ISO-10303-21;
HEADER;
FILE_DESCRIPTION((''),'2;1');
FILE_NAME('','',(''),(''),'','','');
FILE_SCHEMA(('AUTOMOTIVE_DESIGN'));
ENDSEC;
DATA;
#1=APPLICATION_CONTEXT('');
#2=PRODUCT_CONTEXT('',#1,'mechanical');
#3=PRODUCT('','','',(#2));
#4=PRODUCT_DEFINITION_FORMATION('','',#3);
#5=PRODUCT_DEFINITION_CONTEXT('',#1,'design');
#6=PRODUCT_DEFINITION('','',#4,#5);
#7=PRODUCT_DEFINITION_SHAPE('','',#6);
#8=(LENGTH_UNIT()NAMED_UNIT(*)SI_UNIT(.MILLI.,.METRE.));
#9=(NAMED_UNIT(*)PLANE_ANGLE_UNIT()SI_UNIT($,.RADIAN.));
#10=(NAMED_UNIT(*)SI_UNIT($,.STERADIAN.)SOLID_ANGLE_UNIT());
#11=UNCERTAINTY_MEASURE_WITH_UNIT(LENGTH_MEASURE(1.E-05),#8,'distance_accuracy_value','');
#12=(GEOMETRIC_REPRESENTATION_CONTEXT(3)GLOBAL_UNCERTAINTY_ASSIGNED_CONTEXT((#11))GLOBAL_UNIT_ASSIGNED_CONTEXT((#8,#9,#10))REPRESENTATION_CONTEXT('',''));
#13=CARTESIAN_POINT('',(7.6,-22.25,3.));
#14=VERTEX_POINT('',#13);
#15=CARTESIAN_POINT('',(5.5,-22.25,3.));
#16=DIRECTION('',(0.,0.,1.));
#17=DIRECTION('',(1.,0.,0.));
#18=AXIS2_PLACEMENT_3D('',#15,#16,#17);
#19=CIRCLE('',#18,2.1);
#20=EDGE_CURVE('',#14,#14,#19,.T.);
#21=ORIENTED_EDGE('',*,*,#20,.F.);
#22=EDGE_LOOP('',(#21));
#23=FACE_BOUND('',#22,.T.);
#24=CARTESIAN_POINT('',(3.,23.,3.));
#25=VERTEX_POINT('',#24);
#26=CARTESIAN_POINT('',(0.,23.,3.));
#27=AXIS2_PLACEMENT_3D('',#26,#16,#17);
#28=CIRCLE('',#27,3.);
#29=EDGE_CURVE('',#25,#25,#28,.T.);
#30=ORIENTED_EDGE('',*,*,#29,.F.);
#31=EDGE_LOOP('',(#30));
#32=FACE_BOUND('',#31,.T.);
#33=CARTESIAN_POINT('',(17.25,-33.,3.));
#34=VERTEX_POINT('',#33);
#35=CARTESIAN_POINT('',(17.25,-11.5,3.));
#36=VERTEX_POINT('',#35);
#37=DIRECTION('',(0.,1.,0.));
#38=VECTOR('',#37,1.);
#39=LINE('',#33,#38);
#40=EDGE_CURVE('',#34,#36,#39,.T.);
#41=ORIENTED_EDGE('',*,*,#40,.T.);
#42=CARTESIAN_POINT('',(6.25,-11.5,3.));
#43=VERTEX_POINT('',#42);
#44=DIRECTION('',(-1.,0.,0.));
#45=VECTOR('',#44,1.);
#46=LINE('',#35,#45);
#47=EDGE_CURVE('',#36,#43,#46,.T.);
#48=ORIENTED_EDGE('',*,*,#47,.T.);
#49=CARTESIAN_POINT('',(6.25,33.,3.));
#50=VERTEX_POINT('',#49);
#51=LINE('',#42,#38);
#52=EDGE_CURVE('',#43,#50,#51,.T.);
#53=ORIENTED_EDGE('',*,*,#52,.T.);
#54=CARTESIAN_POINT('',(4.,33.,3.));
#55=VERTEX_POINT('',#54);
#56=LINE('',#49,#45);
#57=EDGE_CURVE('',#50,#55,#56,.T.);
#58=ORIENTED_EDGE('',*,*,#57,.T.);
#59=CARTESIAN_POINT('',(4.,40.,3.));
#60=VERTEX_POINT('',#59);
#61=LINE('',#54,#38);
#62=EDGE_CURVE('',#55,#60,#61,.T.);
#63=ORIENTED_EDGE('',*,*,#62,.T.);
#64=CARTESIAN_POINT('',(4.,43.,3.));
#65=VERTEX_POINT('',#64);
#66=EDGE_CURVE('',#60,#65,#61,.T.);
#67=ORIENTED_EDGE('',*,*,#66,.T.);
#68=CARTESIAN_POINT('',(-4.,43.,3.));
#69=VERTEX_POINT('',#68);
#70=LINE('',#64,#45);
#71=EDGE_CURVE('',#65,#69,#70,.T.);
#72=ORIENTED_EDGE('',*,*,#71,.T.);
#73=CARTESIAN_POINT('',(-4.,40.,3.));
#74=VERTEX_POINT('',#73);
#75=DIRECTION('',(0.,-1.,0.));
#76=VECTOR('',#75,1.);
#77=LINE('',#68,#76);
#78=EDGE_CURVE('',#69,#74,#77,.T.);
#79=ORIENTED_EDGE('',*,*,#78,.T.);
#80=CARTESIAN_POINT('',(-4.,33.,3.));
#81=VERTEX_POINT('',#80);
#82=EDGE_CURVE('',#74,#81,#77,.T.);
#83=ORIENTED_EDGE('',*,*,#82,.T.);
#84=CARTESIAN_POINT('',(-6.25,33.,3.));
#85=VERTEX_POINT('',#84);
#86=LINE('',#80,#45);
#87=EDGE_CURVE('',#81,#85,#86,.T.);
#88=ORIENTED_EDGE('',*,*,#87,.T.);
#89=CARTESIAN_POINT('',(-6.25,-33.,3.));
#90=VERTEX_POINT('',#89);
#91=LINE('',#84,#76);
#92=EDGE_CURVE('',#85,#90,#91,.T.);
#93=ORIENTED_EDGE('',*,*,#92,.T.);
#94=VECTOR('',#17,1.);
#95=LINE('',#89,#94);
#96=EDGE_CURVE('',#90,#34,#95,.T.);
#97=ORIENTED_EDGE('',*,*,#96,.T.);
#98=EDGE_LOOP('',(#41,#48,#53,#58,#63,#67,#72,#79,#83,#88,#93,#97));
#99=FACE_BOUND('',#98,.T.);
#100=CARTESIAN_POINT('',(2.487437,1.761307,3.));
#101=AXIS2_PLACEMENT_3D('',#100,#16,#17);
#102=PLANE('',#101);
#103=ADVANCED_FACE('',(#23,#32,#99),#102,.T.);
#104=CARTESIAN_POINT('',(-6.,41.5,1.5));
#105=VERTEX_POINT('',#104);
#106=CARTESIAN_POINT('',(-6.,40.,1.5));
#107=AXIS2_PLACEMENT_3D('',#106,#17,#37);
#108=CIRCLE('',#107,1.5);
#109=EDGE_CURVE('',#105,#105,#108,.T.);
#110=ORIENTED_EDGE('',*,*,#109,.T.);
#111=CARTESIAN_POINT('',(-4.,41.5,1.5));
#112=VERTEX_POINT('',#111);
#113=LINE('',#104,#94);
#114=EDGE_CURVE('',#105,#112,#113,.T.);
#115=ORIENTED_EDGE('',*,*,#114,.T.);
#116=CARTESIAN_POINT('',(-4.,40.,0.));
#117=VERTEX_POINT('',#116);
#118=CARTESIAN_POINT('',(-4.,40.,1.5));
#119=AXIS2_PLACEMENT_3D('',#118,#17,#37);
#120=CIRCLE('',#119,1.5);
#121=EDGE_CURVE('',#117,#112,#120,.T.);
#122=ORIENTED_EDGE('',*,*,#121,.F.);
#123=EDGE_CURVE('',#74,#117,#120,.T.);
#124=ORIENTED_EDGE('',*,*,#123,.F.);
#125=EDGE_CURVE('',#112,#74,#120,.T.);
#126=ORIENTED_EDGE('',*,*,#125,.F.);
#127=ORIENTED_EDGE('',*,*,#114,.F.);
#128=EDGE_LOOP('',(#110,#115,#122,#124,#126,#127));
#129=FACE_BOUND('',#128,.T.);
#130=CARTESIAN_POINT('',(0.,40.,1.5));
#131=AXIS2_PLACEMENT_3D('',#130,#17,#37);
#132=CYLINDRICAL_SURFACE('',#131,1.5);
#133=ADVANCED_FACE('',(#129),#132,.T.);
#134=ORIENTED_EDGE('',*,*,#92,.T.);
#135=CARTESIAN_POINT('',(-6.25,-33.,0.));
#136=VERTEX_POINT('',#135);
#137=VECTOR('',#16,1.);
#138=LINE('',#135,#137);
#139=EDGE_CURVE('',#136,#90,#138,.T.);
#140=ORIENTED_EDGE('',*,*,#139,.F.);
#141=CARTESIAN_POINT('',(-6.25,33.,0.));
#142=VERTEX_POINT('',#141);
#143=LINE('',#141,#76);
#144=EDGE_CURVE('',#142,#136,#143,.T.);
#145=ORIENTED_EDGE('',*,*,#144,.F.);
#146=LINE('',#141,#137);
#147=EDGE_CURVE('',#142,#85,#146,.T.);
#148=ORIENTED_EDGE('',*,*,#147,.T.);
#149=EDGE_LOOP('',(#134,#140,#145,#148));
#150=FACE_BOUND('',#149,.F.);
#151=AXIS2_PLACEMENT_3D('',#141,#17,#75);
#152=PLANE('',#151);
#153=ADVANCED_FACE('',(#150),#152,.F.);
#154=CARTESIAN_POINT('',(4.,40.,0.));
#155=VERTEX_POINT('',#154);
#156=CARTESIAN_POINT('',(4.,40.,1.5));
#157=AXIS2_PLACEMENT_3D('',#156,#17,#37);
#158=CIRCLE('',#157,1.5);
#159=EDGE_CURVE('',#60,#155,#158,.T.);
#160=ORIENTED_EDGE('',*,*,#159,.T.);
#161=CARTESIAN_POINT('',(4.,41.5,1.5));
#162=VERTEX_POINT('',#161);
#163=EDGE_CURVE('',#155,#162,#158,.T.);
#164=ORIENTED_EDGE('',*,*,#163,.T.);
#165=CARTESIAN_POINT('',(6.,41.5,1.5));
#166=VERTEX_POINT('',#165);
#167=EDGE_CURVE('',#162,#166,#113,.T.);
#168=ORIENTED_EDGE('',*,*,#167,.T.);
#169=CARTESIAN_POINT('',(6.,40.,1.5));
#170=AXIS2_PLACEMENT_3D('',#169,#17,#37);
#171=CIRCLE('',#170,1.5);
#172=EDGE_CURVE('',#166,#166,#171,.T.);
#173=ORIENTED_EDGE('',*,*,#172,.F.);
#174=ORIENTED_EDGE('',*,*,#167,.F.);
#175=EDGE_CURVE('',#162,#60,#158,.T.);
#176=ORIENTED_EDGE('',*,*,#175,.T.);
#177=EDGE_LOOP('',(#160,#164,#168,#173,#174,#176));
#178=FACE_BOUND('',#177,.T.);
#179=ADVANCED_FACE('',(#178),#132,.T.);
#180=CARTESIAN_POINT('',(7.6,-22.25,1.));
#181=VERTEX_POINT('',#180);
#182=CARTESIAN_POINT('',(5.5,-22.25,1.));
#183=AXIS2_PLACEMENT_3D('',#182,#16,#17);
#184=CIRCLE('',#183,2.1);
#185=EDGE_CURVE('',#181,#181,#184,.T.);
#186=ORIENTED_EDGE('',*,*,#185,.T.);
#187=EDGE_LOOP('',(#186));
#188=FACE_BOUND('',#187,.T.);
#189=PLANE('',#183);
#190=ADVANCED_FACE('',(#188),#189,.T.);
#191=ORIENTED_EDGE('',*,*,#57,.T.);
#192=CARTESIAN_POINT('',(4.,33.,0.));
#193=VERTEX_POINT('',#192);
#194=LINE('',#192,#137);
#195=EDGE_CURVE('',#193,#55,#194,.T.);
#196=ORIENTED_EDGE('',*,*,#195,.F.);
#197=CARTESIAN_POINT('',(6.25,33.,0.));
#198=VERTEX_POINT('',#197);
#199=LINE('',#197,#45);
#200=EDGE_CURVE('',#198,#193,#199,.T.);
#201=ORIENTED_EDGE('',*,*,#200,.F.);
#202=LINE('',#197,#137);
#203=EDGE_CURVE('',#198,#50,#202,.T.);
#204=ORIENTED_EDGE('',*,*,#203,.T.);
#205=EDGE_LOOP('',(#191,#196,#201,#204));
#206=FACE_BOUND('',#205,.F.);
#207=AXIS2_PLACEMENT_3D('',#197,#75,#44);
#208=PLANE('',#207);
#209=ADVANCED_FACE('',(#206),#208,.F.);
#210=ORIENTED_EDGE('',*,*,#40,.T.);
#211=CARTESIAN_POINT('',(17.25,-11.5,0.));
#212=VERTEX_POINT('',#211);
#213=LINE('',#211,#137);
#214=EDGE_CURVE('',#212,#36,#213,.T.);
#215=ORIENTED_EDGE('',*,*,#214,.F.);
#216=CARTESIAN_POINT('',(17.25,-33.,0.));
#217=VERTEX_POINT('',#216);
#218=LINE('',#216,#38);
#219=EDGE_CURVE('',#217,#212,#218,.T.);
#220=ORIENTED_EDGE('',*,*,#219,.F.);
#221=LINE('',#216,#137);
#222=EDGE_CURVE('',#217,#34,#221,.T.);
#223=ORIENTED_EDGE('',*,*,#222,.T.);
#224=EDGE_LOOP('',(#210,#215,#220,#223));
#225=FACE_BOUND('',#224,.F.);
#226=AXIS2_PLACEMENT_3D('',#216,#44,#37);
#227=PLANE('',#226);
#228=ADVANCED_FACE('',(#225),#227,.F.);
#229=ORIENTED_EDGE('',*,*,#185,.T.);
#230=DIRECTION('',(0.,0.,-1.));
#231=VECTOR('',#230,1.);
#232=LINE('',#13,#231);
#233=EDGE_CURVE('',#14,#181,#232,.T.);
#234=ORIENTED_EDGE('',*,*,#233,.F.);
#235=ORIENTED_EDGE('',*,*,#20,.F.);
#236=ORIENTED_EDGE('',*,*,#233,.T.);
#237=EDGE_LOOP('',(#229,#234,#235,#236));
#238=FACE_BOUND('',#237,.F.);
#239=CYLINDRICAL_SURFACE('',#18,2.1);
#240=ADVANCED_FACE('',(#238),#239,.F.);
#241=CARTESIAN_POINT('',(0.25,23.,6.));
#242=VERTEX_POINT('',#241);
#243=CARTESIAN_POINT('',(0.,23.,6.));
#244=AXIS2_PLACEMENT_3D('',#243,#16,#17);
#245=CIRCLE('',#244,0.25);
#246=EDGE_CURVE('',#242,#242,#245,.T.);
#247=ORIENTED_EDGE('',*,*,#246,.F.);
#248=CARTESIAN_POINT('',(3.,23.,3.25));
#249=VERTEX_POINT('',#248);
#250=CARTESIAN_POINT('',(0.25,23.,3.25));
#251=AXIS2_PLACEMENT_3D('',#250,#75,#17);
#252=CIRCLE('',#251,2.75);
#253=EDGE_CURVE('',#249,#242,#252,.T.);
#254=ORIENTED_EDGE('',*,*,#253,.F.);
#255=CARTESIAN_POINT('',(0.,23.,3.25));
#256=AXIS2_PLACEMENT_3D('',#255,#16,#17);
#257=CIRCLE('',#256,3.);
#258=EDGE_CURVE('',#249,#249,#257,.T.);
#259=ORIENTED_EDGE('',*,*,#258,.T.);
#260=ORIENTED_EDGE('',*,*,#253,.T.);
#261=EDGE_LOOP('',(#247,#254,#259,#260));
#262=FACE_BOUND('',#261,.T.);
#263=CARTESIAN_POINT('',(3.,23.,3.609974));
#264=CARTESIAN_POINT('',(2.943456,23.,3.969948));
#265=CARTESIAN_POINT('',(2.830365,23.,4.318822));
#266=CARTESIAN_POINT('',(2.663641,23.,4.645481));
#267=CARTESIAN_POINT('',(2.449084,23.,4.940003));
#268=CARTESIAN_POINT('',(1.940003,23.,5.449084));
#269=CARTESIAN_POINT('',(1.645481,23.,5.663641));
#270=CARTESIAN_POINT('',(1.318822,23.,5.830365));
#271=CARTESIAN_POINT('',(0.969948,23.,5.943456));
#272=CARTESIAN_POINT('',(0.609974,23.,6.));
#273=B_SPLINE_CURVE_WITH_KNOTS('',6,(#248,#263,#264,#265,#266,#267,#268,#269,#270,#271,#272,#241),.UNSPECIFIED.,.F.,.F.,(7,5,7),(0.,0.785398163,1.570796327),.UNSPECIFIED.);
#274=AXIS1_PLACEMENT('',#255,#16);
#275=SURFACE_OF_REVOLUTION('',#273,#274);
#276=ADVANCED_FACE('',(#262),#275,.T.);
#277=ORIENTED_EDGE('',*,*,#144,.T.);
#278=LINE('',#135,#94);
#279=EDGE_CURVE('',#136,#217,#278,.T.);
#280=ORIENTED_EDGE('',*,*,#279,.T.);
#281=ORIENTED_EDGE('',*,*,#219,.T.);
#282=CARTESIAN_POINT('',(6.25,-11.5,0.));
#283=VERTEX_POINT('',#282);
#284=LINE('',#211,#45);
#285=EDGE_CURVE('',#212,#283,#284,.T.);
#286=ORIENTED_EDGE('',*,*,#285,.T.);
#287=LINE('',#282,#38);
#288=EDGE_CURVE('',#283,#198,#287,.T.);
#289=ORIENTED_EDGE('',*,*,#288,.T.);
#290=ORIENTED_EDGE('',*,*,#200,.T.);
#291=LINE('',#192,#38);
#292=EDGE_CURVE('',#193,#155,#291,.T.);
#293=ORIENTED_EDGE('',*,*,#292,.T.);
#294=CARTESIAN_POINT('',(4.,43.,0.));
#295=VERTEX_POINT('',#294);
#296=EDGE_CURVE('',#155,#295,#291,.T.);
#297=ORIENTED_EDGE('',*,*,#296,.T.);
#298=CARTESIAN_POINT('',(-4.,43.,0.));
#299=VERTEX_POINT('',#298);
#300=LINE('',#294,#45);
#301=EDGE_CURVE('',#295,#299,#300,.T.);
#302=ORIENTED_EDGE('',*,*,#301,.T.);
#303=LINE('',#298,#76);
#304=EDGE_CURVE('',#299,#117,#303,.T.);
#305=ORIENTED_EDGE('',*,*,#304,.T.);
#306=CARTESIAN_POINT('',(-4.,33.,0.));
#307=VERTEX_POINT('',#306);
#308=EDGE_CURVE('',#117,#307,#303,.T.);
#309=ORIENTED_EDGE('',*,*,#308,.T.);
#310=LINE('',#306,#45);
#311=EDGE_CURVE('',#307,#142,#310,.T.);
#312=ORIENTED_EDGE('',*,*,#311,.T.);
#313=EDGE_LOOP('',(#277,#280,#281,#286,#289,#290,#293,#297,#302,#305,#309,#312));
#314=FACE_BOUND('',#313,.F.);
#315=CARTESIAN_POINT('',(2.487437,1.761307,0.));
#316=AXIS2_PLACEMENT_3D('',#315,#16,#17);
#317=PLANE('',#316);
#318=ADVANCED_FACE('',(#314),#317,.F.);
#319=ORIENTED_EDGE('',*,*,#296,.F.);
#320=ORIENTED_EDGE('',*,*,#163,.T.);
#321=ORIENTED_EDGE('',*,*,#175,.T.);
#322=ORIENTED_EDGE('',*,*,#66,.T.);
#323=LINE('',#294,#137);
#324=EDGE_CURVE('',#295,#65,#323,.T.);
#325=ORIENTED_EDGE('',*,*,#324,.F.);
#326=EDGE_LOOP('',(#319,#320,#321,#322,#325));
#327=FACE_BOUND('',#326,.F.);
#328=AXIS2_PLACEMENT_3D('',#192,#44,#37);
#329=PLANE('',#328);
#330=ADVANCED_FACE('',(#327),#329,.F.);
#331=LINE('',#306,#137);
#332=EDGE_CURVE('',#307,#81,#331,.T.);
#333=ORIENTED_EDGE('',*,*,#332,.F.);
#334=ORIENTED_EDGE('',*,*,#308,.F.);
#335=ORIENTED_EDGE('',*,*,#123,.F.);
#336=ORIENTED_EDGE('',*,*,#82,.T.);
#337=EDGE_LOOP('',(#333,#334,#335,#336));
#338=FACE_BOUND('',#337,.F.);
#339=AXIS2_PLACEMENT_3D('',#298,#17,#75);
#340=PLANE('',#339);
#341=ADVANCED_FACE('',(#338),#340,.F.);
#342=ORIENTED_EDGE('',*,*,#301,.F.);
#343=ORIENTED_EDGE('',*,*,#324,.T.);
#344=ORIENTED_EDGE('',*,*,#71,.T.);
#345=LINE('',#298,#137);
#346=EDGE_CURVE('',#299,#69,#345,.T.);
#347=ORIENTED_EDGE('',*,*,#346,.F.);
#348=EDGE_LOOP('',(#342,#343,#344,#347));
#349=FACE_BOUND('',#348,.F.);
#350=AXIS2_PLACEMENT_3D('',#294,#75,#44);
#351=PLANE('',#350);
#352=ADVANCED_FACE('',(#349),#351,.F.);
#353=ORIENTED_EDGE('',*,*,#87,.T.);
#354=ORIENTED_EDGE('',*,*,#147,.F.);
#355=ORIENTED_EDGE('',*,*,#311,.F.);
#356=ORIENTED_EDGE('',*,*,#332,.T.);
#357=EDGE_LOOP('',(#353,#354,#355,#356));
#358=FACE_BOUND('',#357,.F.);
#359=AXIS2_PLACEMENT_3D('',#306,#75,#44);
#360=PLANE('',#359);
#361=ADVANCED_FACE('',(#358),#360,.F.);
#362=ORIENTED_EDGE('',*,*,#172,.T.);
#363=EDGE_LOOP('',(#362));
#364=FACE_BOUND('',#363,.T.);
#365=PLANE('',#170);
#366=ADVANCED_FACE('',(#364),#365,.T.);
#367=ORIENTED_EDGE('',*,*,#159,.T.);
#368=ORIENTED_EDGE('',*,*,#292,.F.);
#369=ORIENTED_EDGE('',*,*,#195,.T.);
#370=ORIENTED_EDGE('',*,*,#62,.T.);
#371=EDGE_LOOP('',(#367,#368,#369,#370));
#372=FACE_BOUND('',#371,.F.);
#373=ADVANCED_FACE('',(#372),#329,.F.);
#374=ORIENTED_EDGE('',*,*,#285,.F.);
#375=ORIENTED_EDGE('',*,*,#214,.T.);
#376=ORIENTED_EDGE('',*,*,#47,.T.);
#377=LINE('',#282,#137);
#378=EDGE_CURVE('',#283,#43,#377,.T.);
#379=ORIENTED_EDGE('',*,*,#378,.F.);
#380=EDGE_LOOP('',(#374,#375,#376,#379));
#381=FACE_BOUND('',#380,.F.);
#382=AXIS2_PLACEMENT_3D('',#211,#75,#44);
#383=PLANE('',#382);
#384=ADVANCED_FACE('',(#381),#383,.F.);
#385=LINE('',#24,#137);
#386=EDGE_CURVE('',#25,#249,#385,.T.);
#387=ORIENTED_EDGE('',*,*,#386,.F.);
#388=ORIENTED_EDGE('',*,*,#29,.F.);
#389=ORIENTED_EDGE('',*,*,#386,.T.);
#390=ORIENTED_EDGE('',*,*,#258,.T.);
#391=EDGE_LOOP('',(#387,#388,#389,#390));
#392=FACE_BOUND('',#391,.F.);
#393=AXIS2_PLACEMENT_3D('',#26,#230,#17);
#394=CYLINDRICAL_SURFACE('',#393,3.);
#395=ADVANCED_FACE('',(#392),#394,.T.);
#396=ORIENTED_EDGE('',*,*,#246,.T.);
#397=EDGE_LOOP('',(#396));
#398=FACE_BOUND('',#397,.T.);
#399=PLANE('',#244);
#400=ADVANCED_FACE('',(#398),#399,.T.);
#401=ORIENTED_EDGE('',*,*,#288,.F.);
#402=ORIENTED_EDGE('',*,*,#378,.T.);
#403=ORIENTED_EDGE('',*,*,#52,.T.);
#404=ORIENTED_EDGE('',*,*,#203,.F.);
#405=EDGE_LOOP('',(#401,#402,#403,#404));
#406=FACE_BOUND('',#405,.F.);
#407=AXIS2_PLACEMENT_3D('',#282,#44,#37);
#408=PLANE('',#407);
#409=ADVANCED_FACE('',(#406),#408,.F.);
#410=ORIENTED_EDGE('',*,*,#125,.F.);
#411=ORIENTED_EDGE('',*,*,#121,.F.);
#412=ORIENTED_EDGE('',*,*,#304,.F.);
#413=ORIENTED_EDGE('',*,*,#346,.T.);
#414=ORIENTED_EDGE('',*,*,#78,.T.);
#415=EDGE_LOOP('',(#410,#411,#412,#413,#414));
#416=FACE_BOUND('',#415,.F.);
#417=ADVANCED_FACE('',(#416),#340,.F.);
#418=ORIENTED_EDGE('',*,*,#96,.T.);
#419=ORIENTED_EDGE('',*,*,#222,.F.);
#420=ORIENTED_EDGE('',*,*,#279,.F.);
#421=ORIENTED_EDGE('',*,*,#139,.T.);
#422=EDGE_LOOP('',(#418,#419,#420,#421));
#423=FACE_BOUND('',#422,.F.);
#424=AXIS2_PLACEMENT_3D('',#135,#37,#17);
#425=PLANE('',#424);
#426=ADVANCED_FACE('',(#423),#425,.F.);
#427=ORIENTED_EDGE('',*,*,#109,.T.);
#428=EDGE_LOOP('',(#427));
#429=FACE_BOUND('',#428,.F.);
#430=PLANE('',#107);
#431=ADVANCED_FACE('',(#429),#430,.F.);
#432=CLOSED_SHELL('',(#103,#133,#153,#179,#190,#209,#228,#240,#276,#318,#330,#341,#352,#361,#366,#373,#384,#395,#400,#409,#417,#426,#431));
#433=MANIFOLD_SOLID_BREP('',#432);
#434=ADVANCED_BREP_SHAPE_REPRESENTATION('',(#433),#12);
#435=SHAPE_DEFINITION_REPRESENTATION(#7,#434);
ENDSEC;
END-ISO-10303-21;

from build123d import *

# Parameters (mm, degrees)
PAD_DEPTH    = 3
SKETCH001_R  = 1.5
PAD001_DEPTH = 6
SKETCH002_R  = 2.1
POCKET_DEPTH = 2
SKETCH003_R  = 3
PAD002_DEPTH = 3
FILLET_R     = 2.75


with BuildPart() as part:
    # Sketch → Pad (new body)
    with BuildSketch(Plane.XY):
        Polygon((-6.25, 33), (-6.25, -33), (17.25, -33), (17.25, -11.5), (6.25, -11.5), (6.25, 33), (4, 33), (4, 43), (-4, 43), (-4, 33), align=None)
    extrude(amount=PAD_DEPTH)

    # Sketch001 → Pad001 (join, symmetric)
    with BuildSketch(Plane.YZ):
        with Locations((40, 1.5)):
            Circle(SKETCH001_R)
    extrude(amount=PAD001_DEPTH, both=True)

    # Sketch002 (on Face5 of Pad001) → Pocket (cut)
    with BuildSketch(Plane.XY.offset(3)):
        with Locations((5.5, -22.25)):
            Circle(SKETCH002_R)
    extrude(amount=-POCKET_DEPTH, mode=Mode.SUBTRACT)

    # Sketch003 (on Face5 of Pocket) → Pad002 (join)
    with BuildSketch(Plane.XY.offset(3)):
        with Locations((0, 23)):
            Circle(SKETCH003_R)
    extrude(amount=PAD002_DEPTH)

    # Fillet
    fillet_edges = [part.edges().sort_by_distance(p)[0] for p in [
        (-3, 23, 6),
    ]]
    fillet(fillet_edges, radius=FILLET_R)


solid = part.part
